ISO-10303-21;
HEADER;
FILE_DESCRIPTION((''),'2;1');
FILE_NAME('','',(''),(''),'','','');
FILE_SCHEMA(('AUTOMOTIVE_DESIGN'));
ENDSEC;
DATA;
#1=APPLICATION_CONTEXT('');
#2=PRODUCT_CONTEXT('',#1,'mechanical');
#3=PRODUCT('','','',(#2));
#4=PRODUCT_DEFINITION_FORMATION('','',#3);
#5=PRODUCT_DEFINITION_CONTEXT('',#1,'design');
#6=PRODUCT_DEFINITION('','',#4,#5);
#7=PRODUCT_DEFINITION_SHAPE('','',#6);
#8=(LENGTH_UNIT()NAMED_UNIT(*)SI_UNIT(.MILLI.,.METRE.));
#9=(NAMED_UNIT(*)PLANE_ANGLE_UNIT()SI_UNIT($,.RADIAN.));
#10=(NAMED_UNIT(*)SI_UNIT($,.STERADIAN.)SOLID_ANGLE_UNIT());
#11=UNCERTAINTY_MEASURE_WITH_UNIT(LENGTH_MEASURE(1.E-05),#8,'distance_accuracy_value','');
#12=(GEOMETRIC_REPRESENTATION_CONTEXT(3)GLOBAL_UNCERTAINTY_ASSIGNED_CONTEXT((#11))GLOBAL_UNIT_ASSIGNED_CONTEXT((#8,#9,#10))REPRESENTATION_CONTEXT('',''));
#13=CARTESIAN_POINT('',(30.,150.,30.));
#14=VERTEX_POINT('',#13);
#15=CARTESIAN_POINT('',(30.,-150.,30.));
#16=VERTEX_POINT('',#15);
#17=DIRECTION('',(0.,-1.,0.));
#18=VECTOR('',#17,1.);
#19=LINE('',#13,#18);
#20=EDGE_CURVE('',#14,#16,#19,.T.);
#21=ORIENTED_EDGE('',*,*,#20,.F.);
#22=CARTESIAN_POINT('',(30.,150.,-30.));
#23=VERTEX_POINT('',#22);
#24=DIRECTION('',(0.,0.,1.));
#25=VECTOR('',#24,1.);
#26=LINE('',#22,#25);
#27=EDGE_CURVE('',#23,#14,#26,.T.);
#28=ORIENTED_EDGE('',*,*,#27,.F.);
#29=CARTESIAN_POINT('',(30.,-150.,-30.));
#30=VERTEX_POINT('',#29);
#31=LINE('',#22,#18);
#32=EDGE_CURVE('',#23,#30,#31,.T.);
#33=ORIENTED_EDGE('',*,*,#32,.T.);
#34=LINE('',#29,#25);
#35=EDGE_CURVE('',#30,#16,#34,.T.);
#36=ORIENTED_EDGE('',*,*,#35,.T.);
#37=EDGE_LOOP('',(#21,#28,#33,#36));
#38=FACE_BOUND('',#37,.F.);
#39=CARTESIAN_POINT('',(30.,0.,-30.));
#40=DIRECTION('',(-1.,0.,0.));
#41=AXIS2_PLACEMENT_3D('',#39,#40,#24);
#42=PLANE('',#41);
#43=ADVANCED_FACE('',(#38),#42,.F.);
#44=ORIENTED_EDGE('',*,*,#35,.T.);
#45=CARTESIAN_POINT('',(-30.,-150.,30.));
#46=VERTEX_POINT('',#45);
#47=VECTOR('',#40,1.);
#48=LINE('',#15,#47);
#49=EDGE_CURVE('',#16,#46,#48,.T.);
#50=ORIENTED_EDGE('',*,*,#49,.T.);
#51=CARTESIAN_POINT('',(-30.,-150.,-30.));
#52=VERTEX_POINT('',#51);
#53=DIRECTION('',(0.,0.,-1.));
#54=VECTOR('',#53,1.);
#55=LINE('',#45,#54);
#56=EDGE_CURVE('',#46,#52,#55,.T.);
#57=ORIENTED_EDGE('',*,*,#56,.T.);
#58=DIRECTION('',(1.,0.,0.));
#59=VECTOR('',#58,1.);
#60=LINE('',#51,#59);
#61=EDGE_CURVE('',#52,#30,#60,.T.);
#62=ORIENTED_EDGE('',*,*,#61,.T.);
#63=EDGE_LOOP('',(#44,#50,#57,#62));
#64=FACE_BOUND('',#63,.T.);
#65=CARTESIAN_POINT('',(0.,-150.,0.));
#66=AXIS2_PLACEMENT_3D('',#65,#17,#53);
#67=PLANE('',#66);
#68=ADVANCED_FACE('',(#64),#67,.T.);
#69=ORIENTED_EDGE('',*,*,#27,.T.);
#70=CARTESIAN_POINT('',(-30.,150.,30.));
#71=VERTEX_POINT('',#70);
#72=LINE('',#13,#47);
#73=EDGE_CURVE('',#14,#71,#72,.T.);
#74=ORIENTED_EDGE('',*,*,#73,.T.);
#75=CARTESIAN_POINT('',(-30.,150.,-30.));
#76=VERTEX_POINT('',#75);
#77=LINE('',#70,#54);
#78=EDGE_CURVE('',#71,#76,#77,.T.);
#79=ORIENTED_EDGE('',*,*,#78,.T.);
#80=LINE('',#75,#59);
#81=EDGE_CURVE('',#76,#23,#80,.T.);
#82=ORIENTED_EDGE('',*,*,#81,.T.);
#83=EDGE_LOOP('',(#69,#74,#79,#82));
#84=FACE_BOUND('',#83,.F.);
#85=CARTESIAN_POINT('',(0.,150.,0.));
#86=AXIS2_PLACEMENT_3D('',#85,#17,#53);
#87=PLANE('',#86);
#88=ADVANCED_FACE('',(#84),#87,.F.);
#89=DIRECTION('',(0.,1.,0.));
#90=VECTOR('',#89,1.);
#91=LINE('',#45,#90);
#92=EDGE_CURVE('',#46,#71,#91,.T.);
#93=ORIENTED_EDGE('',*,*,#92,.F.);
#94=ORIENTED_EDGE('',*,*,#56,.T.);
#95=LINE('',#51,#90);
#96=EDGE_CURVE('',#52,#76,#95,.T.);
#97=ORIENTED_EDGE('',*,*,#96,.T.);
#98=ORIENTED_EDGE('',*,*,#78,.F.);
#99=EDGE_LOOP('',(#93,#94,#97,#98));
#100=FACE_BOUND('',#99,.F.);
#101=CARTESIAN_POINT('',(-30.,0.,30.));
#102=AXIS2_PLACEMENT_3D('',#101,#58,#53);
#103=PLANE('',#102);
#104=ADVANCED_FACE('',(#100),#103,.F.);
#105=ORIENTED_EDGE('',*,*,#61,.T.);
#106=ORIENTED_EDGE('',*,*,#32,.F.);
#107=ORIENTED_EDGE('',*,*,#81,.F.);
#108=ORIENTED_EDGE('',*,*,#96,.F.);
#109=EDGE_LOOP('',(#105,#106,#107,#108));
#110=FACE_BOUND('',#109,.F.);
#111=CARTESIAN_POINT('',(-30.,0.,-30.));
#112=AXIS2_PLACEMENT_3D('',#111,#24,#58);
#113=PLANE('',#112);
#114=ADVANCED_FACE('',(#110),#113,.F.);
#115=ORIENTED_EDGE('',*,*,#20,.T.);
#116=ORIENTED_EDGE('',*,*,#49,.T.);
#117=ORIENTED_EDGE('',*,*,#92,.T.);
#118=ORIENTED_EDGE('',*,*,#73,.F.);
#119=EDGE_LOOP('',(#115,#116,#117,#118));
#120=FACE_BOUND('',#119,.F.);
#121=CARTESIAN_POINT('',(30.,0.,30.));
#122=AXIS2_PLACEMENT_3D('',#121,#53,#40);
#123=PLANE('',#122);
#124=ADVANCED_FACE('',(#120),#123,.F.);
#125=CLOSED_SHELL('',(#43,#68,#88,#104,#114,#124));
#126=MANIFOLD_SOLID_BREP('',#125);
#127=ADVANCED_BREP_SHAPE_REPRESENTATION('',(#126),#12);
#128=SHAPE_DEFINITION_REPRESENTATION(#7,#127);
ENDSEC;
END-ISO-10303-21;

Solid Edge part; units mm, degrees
sketch "Sketch1" plane through (0, 0, 0) normal (0, -1, 0) x (1, 0, 0)
  line L0 (-30, -30) -> (30, -30)
  line L1 (30, -30) -> (30, 30)
  line L2 (30, 30) -> (-30, 30)
  line L3 (-30, 30) -> (-30, -30)
extrude "Protrusion1" add sketch "Sketch1" along normal mid plane 300
